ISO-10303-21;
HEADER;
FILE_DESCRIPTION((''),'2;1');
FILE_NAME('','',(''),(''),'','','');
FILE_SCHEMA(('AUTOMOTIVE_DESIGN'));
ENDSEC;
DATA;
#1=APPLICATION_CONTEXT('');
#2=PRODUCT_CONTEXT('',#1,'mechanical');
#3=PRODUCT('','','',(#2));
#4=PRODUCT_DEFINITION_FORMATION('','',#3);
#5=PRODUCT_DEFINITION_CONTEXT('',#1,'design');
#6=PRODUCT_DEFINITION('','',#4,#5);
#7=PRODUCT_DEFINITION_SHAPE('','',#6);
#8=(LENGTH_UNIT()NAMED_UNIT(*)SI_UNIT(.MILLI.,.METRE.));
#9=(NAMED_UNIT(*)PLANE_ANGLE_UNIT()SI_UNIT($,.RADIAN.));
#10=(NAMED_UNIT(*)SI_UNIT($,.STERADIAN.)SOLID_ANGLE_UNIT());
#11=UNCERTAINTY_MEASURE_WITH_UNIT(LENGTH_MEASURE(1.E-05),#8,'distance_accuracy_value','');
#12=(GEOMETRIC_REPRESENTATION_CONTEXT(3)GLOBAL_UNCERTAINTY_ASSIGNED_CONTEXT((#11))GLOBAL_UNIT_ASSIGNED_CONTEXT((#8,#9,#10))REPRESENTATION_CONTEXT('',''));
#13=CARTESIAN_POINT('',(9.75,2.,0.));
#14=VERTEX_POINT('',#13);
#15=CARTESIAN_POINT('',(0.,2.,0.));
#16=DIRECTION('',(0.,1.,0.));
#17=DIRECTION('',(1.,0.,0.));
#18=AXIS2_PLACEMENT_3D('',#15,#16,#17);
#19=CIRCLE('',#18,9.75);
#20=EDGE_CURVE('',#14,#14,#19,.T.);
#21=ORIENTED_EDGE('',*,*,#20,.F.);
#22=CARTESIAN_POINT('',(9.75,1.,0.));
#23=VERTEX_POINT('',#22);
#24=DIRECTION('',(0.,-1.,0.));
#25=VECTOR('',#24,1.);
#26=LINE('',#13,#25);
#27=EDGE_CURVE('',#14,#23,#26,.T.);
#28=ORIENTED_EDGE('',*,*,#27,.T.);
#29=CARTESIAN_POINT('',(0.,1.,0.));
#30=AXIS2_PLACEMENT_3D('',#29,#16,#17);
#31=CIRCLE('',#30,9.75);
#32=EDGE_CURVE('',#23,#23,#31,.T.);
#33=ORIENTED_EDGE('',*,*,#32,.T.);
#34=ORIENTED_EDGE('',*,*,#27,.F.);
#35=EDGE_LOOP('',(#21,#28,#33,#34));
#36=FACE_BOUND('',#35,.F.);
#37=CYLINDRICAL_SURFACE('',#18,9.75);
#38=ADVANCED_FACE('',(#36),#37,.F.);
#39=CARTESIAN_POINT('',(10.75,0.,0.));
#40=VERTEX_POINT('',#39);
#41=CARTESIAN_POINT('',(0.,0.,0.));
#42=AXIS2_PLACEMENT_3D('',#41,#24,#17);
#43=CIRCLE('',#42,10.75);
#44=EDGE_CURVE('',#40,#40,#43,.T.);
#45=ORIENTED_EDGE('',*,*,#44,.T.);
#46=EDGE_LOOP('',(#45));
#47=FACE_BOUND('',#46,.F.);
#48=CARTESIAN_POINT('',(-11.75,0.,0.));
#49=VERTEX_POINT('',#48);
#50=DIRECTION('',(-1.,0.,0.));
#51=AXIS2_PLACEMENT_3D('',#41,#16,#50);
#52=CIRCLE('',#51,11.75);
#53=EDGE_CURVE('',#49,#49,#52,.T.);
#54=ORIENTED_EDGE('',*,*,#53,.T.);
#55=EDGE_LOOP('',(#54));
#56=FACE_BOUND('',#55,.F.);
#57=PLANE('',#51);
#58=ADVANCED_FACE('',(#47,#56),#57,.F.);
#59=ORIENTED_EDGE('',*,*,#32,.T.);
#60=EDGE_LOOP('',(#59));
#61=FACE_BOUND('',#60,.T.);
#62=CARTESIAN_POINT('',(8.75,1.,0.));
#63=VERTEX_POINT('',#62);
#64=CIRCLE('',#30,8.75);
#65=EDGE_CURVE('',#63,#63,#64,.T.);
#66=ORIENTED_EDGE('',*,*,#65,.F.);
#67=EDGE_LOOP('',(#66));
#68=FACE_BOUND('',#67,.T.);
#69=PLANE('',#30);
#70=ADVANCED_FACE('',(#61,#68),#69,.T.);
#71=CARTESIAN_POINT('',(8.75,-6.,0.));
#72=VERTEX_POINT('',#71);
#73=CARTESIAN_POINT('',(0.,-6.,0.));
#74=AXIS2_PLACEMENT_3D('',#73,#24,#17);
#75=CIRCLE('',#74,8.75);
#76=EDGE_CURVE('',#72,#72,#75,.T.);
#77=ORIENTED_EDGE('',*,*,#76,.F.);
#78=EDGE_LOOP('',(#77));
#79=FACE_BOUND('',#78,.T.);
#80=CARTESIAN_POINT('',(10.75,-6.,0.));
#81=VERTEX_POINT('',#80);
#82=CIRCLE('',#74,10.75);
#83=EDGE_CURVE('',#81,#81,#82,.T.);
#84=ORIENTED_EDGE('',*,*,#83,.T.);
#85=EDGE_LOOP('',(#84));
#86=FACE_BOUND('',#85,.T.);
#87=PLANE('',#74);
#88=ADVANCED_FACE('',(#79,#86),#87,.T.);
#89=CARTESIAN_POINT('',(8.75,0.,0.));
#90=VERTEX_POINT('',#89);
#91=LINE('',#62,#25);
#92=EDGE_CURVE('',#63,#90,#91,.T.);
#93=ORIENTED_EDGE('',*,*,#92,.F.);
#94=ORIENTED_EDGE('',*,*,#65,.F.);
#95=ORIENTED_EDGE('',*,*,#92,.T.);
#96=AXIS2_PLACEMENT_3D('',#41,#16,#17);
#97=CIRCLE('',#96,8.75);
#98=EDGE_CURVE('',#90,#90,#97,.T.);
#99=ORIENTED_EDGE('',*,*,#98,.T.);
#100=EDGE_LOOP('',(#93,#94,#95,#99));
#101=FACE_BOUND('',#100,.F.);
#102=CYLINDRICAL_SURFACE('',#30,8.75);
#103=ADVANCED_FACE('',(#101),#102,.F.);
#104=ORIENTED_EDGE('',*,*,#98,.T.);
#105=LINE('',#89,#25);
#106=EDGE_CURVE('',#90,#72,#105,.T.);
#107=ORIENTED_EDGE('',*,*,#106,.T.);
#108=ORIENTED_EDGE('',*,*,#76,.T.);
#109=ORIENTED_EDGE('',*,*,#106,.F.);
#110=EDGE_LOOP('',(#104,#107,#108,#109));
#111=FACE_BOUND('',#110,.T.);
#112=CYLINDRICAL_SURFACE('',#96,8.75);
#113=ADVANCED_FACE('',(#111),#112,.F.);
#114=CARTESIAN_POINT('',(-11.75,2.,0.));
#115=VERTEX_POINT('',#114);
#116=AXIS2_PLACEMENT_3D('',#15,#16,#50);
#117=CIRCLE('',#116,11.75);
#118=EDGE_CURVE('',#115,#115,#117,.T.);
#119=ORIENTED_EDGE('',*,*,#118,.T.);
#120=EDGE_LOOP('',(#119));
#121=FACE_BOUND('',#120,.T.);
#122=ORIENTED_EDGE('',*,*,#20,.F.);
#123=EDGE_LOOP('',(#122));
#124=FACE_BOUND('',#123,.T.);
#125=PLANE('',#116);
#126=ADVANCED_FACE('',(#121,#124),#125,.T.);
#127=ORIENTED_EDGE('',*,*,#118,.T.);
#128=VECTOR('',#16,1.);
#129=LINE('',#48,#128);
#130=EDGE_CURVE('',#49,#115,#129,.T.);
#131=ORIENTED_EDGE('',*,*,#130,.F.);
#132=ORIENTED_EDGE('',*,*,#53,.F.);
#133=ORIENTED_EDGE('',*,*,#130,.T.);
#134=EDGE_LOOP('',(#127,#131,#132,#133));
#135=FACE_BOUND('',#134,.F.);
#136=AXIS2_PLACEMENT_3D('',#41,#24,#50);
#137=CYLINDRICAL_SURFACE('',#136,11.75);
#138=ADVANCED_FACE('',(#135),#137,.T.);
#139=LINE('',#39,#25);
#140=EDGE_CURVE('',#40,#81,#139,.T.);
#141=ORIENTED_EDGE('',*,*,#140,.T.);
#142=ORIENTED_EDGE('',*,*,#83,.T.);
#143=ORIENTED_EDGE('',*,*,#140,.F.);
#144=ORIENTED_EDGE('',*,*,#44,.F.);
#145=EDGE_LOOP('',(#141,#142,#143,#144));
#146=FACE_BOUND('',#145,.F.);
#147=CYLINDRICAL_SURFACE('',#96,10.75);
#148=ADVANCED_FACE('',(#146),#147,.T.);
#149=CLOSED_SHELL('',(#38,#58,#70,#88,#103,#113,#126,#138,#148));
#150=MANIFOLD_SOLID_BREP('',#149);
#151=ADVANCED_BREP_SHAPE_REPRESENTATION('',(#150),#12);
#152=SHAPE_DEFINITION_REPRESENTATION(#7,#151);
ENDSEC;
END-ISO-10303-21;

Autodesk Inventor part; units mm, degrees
ref_plane "YZ Plane" through (0, 0, 0) normal (1, 0, 0) x (0, 1, 0)
ref_plane "XZ Plane" through (0, 0, 0) normal (0, 1, 0) x (-1, 0, 0)
ref_plane "XY Plane" through (0, 0, 0) normal (0, 0, 1) x (1, 0, 0)
sketch "Sketch1" plane through (0, 0, 0) normal (0, 1, 0) x (-1, 0, 0)
  circle A0 centre (0, 0) radius 9.75
  circle A1 centre (0, 0) radius 11.75
  dimension "d0" = 19.5
  dimension "d1" = 23.5
extrude "Extrusion1" add sketch "Sketch1" along normal blind 2 contours A0 | A1
sketch "Sketch2" plane through (0, 2, 0) normal (0, 1, 0) x (1, 0, 0)
  circle A0 centre (0, 0) radius 9.75
  dimension "d4" = 19.5
extrude "Extrusion2" cut sketch "Sketch2" against normal blind 1
sketch "Sketch3" plane through (0, 1, 0) normal (0, 1, 0) x (1, 0, 0)
  circle A0 centre (0, 0) radius 8.75
  dimension "d7" = 17.5
extrude "Extrusion3" cut sketch "Sketch3" against normal blind 1
sketch "Sketch4" plane through (0, 0, 0) normal (0, -1, 0) x (1, 0, 0)
  circle A0 centre (0, 0) radius 8.75
  circle A1 centre (0, 0) radius 10.75
  dimension "d10" = 21.5
  dimension "d13" = 17.5
extrude "Extrusion4" add sketch "Sketch4" along normal blind 6
properties part number "685ZZFlanged_Adapter_4mm"
